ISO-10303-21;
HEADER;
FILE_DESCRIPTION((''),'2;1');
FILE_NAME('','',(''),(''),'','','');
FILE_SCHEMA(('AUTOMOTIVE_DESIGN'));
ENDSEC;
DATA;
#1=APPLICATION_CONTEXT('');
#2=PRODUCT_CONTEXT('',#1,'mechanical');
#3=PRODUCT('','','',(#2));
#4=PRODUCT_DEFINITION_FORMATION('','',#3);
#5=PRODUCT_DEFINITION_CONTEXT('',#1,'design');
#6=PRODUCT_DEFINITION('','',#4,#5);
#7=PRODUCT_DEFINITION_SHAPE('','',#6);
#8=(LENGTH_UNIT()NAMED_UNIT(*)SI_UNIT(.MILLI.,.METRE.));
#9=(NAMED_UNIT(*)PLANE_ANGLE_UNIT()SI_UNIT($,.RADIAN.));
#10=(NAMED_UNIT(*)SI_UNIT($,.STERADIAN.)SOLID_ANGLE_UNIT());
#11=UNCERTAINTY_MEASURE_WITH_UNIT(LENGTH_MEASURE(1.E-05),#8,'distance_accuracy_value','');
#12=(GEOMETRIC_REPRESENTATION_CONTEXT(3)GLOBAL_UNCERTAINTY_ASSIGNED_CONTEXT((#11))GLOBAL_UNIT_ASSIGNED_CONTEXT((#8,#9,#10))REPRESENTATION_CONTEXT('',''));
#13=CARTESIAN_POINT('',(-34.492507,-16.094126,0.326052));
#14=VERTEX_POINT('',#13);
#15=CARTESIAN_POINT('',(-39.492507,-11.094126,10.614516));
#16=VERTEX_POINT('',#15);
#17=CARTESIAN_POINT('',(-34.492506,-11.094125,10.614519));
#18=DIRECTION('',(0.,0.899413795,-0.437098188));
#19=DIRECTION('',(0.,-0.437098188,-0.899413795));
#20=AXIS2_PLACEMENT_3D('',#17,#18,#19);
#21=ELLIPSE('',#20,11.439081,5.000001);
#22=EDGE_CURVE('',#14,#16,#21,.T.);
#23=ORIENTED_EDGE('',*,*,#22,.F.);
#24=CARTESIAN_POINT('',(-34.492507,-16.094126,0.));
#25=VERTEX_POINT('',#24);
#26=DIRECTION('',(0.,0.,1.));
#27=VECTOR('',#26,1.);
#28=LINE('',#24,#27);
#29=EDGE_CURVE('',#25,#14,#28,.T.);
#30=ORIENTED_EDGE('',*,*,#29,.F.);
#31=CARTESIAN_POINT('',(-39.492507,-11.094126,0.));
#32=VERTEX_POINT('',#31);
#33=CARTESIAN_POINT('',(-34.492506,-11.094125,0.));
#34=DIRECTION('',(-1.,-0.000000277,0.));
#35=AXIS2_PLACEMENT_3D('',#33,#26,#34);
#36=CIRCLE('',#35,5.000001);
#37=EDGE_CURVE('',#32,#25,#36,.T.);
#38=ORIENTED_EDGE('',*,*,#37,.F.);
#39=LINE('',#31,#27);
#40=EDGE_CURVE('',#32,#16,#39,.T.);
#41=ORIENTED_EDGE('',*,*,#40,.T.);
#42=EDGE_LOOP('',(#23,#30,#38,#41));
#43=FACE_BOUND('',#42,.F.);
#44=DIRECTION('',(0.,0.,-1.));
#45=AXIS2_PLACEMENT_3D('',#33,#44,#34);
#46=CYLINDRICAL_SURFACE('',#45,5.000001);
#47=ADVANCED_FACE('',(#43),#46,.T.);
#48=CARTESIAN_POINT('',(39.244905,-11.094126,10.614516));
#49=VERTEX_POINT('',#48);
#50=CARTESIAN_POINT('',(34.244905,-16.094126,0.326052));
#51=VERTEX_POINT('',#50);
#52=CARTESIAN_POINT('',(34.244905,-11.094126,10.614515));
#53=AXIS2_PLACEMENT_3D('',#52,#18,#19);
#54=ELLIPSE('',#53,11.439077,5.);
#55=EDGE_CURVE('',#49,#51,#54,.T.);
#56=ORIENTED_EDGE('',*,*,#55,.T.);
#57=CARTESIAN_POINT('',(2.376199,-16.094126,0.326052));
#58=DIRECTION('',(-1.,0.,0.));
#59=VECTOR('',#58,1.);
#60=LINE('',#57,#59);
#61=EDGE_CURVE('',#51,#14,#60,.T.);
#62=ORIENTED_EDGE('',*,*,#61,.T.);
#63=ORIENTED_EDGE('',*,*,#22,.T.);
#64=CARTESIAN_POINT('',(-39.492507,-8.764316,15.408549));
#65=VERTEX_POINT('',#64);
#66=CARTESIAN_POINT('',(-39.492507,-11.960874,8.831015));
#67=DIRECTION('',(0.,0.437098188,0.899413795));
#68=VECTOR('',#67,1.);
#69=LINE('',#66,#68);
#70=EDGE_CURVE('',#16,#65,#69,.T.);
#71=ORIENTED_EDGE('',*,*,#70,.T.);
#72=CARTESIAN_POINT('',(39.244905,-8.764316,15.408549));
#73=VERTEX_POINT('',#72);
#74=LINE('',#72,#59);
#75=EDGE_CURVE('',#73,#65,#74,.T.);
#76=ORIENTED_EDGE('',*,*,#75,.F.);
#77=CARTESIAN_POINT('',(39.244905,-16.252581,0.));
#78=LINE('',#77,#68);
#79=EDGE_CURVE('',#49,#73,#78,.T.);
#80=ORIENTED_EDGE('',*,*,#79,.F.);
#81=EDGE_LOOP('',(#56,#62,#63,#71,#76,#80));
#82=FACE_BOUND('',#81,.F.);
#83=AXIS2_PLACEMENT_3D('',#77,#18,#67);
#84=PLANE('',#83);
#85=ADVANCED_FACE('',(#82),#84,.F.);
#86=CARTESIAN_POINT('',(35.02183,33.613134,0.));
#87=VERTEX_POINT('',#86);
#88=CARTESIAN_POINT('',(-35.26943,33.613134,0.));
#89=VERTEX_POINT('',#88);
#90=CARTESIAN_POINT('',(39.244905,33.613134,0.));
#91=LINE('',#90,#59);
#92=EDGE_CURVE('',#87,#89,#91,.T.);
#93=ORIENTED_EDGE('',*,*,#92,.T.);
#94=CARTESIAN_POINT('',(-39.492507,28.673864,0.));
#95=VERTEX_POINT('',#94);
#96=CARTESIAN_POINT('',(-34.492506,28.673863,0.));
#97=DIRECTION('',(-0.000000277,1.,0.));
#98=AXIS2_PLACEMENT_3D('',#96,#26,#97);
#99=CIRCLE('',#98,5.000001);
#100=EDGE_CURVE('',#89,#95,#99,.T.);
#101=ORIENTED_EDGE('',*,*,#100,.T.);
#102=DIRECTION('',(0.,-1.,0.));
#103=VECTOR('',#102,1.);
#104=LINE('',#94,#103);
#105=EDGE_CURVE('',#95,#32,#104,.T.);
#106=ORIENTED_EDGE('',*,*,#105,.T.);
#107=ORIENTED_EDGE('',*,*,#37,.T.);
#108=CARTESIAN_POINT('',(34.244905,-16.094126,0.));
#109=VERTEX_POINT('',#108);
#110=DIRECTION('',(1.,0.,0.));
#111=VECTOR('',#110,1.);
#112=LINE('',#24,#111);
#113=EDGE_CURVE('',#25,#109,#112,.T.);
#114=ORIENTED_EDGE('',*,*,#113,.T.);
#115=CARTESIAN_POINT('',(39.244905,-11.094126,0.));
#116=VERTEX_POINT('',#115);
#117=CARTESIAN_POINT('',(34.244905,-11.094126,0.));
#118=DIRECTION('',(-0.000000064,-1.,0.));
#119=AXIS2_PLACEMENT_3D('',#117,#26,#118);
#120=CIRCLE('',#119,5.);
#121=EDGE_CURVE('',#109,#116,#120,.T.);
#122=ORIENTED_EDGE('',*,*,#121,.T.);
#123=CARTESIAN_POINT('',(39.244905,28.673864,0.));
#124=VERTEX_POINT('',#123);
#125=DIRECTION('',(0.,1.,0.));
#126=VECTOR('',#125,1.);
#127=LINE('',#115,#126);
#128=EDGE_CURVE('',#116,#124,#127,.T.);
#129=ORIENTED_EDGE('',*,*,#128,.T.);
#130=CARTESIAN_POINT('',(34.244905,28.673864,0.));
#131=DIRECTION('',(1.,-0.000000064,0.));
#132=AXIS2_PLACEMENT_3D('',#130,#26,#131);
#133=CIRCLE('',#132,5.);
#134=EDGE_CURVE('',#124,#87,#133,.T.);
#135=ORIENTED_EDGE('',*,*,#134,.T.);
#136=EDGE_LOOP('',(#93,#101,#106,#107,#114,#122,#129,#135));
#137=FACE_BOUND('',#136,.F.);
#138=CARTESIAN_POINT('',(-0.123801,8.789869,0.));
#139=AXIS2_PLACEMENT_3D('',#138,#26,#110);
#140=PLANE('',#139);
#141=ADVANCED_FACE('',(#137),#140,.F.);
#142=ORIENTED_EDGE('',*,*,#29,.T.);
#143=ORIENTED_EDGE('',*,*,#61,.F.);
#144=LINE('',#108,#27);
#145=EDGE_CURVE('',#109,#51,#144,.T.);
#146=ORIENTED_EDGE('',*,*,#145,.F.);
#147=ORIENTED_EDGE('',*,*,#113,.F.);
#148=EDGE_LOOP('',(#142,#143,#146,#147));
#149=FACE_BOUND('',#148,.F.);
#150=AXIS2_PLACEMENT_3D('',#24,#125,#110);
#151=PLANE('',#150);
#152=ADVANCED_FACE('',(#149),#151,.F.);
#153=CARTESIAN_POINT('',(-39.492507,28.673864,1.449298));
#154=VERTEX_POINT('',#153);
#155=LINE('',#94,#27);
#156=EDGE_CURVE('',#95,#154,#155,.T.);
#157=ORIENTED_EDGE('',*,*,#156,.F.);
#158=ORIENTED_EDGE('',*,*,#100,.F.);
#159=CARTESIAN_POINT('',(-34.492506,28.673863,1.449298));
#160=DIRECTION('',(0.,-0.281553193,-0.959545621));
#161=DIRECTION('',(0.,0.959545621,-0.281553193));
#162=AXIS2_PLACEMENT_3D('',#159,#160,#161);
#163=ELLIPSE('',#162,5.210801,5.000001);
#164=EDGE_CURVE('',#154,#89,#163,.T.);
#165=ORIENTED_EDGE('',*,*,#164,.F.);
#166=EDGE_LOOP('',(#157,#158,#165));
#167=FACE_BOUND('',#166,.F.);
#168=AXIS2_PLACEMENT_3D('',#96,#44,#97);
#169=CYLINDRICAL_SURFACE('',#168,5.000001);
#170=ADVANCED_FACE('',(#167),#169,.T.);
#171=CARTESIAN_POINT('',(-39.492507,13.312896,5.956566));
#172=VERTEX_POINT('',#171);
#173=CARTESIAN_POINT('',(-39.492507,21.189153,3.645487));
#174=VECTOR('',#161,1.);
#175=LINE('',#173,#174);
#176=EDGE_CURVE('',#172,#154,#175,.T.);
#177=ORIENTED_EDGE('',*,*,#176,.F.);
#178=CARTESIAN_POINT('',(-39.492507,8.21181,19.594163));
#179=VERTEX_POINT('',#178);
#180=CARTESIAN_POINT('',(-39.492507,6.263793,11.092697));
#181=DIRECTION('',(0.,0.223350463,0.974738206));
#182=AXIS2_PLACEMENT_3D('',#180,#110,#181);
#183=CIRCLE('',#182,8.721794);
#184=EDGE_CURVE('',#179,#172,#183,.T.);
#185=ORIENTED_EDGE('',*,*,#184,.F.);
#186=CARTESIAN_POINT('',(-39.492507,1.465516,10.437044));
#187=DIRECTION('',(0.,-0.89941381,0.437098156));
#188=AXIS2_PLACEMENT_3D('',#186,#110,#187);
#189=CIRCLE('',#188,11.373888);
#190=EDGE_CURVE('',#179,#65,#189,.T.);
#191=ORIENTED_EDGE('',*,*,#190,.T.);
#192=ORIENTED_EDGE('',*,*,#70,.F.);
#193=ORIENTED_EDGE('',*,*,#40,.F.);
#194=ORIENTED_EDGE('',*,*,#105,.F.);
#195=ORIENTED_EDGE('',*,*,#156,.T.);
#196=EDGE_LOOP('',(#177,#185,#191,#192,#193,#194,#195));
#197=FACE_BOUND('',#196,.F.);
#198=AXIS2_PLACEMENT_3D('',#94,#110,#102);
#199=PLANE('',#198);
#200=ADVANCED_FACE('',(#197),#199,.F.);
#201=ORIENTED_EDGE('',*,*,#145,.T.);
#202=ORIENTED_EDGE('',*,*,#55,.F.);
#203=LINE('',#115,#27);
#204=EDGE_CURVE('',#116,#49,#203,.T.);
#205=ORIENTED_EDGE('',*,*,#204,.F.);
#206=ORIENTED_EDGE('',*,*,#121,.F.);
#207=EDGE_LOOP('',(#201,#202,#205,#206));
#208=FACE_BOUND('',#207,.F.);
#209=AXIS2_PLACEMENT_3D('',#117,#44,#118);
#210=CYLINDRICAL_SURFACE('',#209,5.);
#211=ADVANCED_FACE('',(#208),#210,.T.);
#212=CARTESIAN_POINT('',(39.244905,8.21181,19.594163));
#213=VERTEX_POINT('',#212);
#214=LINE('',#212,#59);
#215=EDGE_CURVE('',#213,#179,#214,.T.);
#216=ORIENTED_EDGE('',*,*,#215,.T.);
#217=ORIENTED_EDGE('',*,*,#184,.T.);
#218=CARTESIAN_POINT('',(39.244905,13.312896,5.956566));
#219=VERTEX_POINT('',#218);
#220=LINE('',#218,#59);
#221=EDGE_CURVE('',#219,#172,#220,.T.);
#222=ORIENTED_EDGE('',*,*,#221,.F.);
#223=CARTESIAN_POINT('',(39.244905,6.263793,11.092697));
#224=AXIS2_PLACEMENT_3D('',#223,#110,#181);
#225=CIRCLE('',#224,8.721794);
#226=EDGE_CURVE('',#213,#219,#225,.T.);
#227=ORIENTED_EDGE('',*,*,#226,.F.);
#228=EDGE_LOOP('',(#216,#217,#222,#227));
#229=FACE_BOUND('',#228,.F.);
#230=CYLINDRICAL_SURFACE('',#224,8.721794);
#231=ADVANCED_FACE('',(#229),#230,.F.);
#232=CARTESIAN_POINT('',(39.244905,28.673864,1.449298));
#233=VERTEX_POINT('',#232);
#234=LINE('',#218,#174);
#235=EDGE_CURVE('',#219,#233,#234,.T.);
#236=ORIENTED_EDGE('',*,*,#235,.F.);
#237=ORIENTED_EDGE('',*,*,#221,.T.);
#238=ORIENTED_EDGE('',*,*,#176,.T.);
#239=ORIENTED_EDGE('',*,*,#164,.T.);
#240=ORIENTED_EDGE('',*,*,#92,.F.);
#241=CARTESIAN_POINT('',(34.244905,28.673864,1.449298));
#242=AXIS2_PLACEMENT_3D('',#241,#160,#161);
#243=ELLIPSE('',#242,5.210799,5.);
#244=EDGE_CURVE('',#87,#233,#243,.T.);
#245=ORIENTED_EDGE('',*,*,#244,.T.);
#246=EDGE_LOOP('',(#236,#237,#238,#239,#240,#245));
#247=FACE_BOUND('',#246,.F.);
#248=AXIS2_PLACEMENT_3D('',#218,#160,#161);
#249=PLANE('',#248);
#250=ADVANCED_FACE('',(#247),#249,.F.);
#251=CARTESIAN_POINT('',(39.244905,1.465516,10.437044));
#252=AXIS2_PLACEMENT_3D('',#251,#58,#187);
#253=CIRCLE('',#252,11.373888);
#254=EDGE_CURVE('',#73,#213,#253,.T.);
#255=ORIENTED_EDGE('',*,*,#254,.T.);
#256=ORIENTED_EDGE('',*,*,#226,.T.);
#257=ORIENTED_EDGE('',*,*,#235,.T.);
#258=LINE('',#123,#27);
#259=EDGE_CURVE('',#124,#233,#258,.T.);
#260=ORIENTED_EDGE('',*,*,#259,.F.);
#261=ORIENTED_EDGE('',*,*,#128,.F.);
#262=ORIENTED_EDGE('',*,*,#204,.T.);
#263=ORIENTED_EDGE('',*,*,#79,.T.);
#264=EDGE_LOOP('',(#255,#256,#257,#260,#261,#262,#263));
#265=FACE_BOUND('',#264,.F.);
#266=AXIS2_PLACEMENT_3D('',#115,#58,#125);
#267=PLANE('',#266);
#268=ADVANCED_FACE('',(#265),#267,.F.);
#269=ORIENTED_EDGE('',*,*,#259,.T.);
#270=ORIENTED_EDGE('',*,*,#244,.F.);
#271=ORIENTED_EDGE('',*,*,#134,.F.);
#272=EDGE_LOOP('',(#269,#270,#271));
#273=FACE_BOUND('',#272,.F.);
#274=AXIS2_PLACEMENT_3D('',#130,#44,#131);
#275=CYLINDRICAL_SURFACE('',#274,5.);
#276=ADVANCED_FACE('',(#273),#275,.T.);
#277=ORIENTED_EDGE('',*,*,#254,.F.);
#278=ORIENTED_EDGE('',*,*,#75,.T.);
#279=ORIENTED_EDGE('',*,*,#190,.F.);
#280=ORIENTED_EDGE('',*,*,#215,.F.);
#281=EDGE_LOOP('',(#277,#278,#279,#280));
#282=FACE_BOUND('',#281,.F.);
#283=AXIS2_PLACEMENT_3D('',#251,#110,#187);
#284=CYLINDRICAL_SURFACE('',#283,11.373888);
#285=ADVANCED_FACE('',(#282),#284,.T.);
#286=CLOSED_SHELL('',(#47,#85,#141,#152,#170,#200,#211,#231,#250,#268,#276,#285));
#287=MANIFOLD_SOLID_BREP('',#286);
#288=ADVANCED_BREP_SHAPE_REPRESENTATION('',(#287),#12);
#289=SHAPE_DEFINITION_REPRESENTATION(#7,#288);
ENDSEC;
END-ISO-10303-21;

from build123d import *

# Parameters (mm, degrees)
F1_DEPTH      = 36.49653
F3_DEPTH      = 100
F3_DEPTH_BACK = 100


with BuildPart() as f1:
    # F0 (on Top) → F1 (new body)
    with BuildSketch(Plane.XY):
        with BuildLine():
            Line((34.244905, 33.673864), (-34.492507, 33.673864))
            ThreePointArc((-34.492507, 33.673864), (-38.02804, 32.209398), (-39.492507, 28.673864))
            Line((-39.492507, 28.673864), (-39.492507, -11.094126))
            ThreePointArc((-39.492507, -11.094126), (-38.02804, -14.62966), (-34.492507, -16.094126))
            Line((-34.492507, -16.094126), (34.244905, -16.094126))
            ThreePointArc((34.244905, -16.094126), (37.780439, -14.62966), (39.244905, -11.094126))
            Line((39.244905, -11.094126), (39.244905, 28.673864))
            ThreePointArc((39.244905, 28.673864), (37.780439, 32.209398), (34.244905, 33.673864))
        make_face()
    extrude(amount=F1_DEPTH)

    # F2 (on face) → F3 (cut, two sides)
    with BuildSketch(Plane.YZ.offset(39.244905)) as f3_sk:
        with BuildLine():
            ThreePointArc((-8.764316, 15.408549), (-1.257277, 21.480219), (8.21181, 19.594163))
            ThreePointArc((8.21181, 19.594163), (-1.905237, 8.037106), (13.312896, 5.956566))
            Line((13.312896, 5.956566), (33.613134, 0))
            Line((33.613134, 0), (54.329786, -9.86721))
            Line((54.329786, -9.86721), (53.184647, 35.41794))
            Line((53.184647, 35.41794), (12.584168, 41.872375))
            Line((12.584168, 41.872375), (-31.451736, 39.269779))
            Line((-31.451736, 39.269779), (-27.391687, -11.949287))
            Line((-27.391687, -11.949287), (-16.252581, 0))
            Line((-16.252581, 0), (-8.764316, 15.408549))
        make_face()
    extrude(amount=F3_DEPTH, mode=Mode.SUBTRACT)
    extrude(f3_sk.sketch, amount=-F3_DEPTH_BACK, mode=Mode.SUBTRACT)


solid = f1.part
